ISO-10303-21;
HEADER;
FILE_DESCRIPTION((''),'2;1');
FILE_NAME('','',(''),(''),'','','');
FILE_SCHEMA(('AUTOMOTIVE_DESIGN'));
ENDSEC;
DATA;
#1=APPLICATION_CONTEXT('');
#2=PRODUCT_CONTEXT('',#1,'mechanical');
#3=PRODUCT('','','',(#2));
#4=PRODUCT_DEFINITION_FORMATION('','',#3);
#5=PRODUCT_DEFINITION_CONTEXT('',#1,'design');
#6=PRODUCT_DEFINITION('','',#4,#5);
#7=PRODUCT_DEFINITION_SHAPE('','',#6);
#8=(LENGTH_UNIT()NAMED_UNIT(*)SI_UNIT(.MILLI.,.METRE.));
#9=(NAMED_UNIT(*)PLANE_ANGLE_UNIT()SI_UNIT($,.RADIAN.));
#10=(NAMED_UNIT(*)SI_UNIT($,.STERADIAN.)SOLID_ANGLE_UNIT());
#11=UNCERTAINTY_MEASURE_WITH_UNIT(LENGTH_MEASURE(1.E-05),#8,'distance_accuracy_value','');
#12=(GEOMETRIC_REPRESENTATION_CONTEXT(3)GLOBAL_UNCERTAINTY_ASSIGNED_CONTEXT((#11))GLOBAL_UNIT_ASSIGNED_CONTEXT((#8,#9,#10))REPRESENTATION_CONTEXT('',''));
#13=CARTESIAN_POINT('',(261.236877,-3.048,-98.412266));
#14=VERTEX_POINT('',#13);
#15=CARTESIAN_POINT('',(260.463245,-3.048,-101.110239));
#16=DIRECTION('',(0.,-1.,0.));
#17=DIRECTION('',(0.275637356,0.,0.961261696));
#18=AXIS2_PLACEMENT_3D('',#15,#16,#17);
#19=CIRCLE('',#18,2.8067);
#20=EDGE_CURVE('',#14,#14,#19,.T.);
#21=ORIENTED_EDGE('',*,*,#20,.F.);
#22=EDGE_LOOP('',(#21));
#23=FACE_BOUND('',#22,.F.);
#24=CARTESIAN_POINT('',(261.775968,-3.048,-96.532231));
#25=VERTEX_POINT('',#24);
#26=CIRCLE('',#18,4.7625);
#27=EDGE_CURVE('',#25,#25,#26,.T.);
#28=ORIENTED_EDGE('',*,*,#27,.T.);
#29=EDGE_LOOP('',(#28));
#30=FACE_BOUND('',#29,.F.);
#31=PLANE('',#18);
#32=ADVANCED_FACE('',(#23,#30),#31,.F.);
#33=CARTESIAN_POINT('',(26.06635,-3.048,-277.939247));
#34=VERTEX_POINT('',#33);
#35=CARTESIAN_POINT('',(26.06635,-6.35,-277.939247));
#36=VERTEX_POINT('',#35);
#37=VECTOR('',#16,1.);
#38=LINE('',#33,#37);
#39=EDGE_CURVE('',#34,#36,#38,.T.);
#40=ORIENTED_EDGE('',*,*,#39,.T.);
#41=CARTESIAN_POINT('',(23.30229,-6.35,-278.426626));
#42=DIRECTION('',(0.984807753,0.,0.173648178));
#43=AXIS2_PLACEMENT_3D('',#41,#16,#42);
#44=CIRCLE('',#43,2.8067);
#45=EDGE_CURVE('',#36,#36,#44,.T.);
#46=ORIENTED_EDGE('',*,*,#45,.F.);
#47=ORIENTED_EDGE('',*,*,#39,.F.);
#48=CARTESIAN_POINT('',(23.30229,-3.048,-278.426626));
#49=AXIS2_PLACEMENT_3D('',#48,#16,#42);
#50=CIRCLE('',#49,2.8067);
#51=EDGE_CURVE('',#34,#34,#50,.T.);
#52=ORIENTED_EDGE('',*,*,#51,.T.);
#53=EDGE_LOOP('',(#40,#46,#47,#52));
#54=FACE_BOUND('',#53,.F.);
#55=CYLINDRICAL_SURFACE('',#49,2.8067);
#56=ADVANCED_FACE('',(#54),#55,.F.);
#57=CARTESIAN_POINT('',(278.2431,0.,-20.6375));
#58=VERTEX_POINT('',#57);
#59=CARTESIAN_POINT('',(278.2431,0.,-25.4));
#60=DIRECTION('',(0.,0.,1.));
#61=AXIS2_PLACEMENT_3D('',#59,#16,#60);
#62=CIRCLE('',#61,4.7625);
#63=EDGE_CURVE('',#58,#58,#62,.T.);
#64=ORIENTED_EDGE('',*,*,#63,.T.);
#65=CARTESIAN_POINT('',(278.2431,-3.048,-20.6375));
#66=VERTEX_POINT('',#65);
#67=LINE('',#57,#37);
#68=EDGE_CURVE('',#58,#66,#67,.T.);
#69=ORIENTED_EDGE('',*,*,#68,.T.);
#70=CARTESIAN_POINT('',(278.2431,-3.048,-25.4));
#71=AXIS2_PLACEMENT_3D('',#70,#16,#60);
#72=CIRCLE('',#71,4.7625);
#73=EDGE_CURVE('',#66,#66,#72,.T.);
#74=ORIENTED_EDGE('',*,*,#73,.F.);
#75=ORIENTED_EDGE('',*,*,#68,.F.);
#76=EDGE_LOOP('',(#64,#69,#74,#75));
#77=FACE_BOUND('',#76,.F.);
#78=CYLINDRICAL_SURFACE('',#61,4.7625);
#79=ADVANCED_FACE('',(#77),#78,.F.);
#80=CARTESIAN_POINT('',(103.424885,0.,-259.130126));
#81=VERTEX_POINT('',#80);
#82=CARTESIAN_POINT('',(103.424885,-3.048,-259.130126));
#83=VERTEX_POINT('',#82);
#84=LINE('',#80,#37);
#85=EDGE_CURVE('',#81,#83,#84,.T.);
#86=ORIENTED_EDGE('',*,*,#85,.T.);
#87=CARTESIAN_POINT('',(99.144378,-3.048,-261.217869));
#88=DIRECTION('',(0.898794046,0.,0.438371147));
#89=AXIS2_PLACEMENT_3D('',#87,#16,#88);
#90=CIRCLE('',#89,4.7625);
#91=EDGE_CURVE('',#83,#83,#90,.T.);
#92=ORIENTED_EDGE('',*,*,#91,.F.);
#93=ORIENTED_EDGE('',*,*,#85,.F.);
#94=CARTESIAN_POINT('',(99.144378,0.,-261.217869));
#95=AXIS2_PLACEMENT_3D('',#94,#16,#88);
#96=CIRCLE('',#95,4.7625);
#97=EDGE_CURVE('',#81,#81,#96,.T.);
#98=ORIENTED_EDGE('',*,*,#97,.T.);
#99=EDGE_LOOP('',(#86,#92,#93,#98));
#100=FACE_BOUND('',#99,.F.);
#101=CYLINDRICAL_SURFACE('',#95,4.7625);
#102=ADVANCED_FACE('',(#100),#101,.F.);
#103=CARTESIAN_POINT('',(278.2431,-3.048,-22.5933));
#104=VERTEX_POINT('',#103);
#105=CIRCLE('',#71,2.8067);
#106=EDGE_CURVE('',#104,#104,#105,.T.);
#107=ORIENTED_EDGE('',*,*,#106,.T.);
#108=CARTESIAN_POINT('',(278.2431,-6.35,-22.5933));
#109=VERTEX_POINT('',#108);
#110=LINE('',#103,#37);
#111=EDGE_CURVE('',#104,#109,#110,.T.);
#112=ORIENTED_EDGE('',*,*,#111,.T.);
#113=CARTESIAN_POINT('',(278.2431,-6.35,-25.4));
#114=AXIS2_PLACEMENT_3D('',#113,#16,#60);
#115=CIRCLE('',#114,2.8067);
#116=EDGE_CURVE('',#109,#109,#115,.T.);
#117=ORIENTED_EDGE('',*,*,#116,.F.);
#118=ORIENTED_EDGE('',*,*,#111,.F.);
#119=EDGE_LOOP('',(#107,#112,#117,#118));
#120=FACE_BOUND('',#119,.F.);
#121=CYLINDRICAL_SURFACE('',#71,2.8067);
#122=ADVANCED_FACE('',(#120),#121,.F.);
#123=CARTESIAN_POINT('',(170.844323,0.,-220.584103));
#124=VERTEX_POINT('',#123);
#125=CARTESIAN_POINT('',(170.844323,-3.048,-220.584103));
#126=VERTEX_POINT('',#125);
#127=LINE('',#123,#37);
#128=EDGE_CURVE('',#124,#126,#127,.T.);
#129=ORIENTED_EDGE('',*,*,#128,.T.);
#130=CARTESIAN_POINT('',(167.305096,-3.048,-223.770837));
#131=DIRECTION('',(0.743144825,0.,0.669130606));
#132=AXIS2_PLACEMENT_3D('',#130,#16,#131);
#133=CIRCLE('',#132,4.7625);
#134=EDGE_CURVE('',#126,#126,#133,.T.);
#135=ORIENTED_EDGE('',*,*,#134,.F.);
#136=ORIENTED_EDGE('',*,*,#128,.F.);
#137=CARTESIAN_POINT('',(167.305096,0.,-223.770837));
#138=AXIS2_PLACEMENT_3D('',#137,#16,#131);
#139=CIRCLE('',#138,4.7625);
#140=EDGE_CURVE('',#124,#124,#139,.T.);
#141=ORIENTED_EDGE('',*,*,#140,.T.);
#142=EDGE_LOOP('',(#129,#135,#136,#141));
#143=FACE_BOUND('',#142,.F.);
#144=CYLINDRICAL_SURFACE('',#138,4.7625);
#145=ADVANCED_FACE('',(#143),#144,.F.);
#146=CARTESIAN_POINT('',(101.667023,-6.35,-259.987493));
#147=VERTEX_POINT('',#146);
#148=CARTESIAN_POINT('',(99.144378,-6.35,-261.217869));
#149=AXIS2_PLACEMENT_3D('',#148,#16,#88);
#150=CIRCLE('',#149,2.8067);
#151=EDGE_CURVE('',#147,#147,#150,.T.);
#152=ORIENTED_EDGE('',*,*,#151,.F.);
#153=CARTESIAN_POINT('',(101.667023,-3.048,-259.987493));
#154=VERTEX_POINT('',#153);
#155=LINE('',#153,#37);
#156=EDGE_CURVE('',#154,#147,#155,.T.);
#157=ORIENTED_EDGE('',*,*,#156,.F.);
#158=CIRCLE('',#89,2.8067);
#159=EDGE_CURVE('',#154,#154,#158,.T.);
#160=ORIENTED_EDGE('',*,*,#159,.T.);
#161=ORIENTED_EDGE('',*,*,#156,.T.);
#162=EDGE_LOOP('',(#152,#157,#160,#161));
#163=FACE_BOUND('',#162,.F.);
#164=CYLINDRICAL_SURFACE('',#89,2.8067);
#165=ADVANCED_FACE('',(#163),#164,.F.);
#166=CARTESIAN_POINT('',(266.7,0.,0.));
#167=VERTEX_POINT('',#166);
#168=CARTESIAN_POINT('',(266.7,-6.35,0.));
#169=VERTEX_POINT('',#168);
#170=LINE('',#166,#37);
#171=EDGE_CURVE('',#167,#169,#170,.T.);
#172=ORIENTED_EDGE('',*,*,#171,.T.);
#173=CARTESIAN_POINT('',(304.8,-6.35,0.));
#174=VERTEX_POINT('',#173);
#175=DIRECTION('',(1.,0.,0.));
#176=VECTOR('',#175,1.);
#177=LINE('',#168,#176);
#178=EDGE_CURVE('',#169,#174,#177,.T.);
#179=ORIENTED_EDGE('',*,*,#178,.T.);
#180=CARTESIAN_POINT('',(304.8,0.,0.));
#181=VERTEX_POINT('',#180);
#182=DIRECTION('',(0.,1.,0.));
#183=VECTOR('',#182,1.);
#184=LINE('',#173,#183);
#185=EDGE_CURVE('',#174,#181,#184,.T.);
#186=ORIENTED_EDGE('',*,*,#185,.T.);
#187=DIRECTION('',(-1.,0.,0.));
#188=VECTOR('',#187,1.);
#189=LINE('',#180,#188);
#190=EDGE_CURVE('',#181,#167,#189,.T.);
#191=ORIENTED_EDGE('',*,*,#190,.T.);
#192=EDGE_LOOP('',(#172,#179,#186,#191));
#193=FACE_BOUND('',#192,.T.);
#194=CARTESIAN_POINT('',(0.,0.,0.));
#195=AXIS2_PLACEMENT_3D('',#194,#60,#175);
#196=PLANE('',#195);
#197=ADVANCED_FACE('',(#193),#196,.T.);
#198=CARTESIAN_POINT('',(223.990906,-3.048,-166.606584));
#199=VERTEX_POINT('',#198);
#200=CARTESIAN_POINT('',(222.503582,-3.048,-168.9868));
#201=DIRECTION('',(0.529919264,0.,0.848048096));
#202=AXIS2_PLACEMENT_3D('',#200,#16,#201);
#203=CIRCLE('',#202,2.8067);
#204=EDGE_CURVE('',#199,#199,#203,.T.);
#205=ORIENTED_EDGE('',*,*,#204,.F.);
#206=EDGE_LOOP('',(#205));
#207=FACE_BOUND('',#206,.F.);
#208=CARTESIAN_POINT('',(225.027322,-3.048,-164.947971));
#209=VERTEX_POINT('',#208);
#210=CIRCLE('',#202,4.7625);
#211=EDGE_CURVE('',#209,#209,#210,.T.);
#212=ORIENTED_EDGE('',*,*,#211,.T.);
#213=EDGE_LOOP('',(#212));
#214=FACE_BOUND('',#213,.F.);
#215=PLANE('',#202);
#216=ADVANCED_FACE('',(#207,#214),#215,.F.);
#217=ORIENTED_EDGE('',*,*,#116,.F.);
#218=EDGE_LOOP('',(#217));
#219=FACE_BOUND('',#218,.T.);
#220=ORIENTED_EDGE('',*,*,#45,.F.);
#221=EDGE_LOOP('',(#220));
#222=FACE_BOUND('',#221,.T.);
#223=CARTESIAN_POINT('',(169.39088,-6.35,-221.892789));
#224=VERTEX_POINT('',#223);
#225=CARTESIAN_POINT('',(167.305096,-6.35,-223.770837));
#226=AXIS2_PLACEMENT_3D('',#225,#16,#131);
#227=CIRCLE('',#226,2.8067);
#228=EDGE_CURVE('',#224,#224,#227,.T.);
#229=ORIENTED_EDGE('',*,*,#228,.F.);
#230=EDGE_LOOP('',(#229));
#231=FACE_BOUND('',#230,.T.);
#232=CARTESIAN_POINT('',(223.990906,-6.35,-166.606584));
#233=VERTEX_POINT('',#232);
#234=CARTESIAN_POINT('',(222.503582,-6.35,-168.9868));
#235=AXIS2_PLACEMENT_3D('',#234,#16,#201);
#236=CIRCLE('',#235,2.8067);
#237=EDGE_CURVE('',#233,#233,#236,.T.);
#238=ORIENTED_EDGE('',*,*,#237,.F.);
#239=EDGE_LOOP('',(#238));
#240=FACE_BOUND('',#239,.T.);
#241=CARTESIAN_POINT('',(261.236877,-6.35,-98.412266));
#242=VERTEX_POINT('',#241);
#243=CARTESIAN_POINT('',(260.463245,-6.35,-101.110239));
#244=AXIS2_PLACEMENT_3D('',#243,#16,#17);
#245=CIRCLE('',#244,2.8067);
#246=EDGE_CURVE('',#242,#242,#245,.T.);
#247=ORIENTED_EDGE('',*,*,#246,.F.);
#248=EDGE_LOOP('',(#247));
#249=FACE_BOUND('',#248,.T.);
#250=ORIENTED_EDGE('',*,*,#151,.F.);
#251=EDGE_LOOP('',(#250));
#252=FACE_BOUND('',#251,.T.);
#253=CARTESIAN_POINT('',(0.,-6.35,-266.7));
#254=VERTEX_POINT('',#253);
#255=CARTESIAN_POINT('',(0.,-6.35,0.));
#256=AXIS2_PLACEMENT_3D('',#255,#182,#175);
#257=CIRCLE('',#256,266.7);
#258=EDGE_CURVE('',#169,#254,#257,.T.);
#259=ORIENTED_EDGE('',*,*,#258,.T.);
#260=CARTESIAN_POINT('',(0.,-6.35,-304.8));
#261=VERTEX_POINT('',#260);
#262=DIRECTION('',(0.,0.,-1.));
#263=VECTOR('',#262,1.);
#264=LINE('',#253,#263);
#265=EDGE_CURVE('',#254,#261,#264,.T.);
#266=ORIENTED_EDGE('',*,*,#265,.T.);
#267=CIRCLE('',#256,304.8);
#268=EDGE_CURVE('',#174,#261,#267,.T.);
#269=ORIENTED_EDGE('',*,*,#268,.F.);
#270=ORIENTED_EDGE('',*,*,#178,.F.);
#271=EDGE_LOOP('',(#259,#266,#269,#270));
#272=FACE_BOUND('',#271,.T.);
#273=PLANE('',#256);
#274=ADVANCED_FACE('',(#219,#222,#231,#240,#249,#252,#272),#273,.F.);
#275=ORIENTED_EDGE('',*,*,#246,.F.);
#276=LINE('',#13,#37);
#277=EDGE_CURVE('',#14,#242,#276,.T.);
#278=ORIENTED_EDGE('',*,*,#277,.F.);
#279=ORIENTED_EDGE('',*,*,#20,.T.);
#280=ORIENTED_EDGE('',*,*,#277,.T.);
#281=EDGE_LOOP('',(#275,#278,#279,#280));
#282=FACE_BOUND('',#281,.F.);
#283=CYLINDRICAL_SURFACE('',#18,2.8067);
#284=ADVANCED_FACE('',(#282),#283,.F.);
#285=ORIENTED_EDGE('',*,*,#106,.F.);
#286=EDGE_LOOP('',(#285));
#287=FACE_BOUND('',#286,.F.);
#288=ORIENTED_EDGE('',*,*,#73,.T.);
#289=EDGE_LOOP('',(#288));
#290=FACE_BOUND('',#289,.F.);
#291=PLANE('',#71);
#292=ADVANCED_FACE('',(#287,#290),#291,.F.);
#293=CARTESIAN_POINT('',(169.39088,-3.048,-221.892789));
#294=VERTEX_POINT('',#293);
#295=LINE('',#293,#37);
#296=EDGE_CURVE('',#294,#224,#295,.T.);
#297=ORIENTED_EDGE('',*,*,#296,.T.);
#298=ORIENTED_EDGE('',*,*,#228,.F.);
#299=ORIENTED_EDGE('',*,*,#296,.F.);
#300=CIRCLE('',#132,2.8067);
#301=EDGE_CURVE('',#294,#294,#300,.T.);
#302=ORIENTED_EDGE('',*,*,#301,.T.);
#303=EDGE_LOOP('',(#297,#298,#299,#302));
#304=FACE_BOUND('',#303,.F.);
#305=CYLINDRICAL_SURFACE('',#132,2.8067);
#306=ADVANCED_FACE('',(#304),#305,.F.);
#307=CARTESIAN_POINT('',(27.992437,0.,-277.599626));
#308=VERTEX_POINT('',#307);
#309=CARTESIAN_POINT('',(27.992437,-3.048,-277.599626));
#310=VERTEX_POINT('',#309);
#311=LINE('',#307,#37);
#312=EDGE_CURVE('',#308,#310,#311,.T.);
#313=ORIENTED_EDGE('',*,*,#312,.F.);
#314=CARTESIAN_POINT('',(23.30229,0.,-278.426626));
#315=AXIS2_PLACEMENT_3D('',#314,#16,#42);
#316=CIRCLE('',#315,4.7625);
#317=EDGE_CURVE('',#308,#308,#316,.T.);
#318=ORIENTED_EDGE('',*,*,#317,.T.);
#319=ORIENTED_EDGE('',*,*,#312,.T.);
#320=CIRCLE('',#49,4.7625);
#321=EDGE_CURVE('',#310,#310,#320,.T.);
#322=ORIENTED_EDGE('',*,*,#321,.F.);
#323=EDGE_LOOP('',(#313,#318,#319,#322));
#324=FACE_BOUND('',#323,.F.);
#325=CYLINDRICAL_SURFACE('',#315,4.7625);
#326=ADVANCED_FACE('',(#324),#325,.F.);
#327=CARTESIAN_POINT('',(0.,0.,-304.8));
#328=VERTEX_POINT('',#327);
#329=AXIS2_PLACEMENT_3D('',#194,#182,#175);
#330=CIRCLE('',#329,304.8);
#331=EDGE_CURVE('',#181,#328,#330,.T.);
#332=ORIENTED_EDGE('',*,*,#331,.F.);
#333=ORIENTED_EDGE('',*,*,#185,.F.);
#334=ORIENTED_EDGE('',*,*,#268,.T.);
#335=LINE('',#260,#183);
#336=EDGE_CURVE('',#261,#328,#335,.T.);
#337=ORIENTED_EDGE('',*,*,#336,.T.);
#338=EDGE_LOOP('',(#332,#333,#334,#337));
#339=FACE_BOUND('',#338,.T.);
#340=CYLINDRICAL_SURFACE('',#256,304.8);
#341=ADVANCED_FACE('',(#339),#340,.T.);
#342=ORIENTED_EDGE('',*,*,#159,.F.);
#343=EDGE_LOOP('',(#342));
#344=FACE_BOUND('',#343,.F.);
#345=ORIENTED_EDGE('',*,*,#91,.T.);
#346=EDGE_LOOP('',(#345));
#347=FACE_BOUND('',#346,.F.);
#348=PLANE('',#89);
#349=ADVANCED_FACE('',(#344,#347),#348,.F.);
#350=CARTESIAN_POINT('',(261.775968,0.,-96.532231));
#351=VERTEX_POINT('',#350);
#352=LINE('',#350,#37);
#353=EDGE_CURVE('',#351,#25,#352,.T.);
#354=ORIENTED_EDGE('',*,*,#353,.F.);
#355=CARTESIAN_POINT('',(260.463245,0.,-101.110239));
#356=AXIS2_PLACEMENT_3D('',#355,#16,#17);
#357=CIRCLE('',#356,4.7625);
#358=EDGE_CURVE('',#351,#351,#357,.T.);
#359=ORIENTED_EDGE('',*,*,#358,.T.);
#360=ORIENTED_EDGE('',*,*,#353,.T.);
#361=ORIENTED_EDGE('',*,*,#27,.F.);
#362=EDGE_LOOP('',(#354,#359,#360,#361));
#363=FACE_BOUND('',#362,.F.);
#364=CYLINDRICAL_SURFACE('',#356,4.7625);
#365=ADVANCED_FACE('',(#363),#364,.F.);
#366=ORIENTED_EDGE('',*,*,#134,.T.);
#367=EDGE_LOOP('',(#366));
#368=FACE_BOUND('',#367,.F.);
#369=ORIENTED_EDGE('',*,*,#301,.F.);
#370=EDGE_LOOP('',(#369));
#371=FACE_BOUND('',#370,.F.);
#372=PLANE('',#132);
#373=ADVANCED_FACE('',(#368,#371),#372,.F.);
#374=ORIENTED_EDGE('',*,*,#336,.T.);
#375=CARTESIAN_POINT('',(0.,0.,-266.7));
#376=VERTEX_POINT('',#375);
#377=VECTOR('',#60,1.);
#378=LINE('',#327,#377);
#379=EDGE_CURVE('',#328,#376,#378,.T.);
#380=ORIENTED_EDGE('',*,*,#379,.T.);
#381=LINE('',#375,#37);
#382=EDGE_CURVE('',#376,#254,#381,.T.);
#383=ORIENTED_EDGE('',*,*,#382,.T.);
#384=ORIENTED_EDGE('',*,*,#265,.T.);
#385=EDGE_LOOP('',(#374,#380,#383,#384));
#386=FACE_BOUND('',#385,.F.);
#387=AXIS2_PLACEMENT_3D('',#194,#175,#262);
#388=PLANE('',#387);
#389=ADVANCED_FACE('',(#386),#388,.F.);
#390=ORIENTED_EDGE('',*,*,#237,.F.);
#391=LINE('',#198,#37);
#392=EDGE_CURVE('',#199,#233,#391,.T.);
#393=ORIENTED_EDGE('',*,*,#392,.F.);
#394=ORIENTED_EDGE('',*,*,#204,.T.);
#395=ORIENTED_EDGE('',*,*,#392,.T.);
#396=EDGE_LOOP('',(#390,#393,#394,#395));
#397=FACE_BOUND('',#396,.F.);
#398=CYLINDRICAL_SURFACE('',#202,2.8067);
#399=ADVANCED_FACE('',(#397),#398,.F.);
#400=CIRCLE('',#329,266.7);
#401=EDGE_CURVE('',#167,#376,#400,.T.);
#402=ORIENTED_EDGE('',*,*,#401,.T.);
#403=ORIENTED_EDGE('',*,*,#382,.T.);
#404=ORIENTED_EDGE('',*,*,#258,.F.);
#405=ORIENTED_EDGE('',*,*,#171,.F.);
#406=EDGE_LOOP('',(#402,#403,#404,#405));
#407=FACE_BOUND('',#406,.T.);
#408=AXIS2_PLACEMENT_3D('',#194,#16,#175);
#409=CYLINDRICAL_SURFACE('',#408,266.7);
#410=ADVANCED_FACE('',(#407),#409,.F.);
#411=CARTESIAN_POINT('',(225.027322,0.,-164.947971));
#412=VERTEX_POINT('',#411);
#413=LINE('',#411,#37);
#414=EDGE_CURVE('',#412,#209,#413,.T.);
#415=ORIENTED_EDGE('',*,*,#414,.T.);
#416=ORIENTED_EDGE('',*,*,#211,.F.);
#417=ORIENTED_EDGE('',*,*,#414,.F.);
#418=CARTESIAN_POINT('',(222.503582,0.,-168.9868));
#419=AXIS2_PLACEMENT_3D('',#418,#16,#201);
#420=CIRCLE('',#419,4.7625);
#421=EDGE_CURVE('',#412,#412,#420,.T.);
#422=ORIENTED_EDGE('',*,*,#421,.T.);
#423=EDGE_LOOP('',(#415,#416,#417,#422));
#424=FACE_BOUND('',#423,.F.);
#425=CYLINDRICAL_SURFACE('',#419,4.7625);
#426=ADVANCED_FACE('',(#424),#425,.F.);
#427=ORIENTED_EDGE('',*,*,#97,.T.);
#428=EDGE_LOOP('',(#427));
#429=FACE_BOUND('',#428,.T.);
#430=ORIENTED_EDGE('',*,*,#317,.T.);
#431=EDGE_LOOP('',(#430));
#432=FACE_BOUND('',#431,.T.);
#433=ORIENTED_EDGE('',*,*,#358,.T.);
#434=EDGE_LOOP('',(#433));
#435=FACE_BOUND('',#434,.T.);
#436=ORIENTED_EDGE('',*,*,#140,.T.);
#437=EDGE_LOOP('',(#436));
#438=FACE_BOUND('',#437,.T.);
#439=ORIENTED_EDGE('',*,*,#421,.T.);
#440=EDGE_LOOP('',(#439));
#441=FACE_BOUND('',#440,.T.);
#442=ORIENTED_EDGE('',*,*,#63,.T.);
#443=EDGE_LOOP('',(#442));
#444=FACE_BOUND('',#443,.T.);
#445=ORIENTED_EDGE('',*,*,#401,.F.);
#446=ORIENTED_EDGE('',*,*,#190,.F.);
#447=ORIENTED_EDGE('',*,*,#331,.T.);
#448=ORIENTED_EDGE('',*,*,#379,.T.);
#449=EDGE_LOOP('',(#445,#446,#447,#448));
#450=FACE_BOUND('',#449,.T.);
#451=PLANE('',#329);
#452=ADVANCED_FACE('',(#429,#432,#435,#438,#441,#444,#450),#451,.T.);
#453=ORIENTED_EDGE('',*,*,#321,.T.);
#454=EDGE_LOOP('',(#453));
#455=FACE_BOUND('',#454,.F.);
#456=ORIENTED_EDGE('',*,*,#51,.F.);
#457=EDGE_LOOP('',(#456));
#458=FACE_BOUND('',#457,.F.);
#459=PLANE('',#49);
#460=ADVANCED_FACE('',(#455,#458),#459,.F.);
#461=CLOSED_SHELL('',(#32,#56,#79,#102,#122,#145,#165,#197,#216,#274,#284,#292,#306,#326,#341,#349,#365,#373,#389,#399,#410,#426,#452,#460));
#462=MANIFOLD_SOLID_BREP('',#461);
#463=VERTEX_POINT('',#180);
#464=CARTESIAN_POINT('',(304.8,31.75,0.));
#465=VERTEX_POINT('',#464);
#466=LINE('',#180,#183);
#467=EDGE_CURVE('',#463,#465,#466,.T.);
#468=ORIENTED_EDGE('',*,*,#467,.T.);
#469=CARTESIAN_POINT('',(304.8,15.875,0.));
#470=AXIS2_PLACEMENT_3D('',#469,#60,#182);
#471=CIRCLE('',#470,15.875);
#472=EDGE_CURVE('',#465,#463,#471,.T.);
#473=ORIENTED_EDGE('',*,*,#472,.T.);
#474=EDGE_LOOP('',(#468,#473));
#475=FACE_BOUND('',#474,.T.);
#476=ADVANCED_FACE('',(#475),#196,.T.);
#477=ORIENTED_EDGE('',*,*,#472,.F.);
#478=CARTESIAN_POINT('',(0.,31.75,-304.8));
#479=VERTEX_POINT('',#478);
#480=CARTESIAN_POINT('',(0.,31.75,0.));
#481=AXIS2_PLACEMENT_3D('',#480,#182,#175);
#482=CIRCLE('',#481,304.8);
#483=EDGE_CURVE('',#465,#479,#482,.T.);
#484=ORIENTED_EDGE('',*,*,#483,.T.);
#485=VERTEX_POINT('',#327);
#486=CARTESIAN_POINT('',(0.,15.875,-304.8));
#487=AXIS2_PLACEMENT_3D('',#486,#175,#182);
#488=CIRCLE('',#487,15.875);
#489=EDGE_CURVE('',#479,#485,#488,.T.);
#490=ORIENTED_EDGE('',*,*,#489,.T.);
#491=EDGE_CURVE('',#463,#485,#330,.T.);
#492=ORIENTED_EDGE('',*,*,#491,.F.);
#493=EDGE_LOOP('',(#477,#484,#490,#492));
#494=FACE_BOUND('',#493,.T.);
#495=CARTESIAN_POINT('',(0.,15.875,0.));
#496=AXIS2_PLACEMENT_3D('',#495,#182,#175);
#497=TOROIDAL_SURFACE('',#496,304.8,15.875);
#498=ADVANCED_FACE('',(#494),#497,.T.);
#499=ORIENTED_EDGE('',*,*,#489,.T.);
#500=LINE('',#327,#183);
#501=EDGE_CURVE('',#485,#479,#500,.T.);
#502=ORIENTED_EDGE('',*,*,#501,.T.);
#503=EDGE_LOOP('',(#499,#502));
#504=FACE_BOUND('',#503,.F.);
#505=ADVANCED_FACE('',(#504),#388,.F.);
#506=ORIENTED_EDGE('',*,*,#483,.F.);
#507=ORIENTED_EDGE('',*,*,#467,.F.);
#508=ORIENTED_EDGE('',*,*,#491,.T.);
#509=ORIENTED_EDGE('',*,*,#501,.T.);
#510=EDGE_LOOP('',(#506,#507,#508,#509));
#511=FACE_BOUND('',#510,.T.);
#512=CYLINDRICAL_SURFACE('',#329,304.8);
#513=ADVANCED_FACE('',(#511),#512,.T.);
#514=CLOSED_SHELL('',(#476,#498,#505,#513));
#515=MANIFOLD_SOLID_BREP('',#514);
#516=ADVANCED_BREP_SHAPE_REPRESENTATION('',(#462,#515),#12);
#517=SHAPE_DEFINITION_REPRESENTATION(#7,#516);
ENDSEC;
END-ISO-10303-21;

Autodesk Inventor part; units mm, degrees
ref_plane "YZ Plane" through (0, 0, 0) normal (1, 0, 0) x (0, 1, 0)
ref_plane "XZ Plane" through (0, 0, 0) normal (0, 1, 0) x (-1, 0, 0)
ref_plane "XY Plane" through (0, 0, 0) normal (0, 0, 1) x (1, 0, 0)
sketch "Sketch2" plane through (0, 0, 0) normal (0, 0, 1) x (1, 0, 0)
  line L0 (304.8, 0) -> (304.8, 31.75)
  arc A0 (304.8, 31.75) -> (304.8, 0) centre (304.8, 15.875) ccw
  line L1 (304.8, 0) -> (266.7, 0)
  line L2 (266.7, 0) -> (266.7, -6.35)
  line L3 (266.7, -6.35) -> (304.8, -6.35)
  line L4 (304.8, -6.35) -> (304.8, 0)
  line L5 (0, 0) -> (304.8, 0) construction
  line L6 (0, -13.97) -> (0, 39.37) projected
  dimension "d0" = 31.75
  dimension "d1" = 304.8
  dimension "d2" = 6.35
  dimension "d8" = 15.875
  dimension "d9" = 38.1
revolve "Revolution1" add sketch "Sketch2" angle 90 about axis through (0, -10, 0) along (0, 1, 0)
sketch "Sketch4" plane through (266.7, 0, 0) normal (0, 1, 0) x (1, 0, 0)
  line L0 (38.1, 0) -> (0, 0) projected
  point P0 (-266.7, 0)
  point P1 (11.5431, 25.4)
  dimension "d10" = 279.4
  dimension "d18" = 25.4
hole "Hole1" at (278.2431, 0, -25.4) direction (0, -1, 0) diameter 5.6134 end through all counterbore diameter 9.525 counterbore depth 3.048 clearance for "Hex Machine Screw" size "#10" standard "Ansi Unified Screw Threads"
pattern_circular "Circular Pattern1" count 6 over 80 about axis through (0, -10, 0) along (0, 1, 0) of "Hole1"
sketch "Sketch3" plane through (0, -6.35, -266.7) normal (-1, 0, 0) x (0, 0, 1)
  arc A0 (-38.1, 6.35) -> (-38.1, 38.1) centre (-38.1, 22.225) ccw projected
  line L0 (-38.1, 38.1) -> (-38.1, 6.35) projected
  line L1 (-38.1, 6.35) -> (-38.1, 38.1)
  line L2 (-38.1, 0) -> (0, 0) projected
  line L3 (-38.1, 6.35) -> (-38.1, 0)
  line L4 (-38.1, 0) -> (0, 0)
  line L5 (0, 6.35) -> (-38.1, 6.35)
  arc A1 (-38.1, 6.35) -> (-38.1, 38.1) centre (-38.1, 22.225) ccw
  line L6 (266.7, 6.35) -> (0, 6.35) projected
  line L7 (0, 0) -> (0, 6.35) projected
  line L8 (0, 6.35) -> (0, 0)
equation "\"d1\" = outerRadius"
equation "\"d8\" = spacerRadius"
equation "\"wheelDiameter\" = 184.15"
equation "\"frisbeeDiameter\" = 228.6"
equation "\"outerRadius\" = 304.8"
equation "\"wheelRadius\" = 0.5 * wheelDiameter"
equation "\"spacerRadius\" = 15.875"
properties part number "Whack01-RunnerForFrisbeeShooter"
